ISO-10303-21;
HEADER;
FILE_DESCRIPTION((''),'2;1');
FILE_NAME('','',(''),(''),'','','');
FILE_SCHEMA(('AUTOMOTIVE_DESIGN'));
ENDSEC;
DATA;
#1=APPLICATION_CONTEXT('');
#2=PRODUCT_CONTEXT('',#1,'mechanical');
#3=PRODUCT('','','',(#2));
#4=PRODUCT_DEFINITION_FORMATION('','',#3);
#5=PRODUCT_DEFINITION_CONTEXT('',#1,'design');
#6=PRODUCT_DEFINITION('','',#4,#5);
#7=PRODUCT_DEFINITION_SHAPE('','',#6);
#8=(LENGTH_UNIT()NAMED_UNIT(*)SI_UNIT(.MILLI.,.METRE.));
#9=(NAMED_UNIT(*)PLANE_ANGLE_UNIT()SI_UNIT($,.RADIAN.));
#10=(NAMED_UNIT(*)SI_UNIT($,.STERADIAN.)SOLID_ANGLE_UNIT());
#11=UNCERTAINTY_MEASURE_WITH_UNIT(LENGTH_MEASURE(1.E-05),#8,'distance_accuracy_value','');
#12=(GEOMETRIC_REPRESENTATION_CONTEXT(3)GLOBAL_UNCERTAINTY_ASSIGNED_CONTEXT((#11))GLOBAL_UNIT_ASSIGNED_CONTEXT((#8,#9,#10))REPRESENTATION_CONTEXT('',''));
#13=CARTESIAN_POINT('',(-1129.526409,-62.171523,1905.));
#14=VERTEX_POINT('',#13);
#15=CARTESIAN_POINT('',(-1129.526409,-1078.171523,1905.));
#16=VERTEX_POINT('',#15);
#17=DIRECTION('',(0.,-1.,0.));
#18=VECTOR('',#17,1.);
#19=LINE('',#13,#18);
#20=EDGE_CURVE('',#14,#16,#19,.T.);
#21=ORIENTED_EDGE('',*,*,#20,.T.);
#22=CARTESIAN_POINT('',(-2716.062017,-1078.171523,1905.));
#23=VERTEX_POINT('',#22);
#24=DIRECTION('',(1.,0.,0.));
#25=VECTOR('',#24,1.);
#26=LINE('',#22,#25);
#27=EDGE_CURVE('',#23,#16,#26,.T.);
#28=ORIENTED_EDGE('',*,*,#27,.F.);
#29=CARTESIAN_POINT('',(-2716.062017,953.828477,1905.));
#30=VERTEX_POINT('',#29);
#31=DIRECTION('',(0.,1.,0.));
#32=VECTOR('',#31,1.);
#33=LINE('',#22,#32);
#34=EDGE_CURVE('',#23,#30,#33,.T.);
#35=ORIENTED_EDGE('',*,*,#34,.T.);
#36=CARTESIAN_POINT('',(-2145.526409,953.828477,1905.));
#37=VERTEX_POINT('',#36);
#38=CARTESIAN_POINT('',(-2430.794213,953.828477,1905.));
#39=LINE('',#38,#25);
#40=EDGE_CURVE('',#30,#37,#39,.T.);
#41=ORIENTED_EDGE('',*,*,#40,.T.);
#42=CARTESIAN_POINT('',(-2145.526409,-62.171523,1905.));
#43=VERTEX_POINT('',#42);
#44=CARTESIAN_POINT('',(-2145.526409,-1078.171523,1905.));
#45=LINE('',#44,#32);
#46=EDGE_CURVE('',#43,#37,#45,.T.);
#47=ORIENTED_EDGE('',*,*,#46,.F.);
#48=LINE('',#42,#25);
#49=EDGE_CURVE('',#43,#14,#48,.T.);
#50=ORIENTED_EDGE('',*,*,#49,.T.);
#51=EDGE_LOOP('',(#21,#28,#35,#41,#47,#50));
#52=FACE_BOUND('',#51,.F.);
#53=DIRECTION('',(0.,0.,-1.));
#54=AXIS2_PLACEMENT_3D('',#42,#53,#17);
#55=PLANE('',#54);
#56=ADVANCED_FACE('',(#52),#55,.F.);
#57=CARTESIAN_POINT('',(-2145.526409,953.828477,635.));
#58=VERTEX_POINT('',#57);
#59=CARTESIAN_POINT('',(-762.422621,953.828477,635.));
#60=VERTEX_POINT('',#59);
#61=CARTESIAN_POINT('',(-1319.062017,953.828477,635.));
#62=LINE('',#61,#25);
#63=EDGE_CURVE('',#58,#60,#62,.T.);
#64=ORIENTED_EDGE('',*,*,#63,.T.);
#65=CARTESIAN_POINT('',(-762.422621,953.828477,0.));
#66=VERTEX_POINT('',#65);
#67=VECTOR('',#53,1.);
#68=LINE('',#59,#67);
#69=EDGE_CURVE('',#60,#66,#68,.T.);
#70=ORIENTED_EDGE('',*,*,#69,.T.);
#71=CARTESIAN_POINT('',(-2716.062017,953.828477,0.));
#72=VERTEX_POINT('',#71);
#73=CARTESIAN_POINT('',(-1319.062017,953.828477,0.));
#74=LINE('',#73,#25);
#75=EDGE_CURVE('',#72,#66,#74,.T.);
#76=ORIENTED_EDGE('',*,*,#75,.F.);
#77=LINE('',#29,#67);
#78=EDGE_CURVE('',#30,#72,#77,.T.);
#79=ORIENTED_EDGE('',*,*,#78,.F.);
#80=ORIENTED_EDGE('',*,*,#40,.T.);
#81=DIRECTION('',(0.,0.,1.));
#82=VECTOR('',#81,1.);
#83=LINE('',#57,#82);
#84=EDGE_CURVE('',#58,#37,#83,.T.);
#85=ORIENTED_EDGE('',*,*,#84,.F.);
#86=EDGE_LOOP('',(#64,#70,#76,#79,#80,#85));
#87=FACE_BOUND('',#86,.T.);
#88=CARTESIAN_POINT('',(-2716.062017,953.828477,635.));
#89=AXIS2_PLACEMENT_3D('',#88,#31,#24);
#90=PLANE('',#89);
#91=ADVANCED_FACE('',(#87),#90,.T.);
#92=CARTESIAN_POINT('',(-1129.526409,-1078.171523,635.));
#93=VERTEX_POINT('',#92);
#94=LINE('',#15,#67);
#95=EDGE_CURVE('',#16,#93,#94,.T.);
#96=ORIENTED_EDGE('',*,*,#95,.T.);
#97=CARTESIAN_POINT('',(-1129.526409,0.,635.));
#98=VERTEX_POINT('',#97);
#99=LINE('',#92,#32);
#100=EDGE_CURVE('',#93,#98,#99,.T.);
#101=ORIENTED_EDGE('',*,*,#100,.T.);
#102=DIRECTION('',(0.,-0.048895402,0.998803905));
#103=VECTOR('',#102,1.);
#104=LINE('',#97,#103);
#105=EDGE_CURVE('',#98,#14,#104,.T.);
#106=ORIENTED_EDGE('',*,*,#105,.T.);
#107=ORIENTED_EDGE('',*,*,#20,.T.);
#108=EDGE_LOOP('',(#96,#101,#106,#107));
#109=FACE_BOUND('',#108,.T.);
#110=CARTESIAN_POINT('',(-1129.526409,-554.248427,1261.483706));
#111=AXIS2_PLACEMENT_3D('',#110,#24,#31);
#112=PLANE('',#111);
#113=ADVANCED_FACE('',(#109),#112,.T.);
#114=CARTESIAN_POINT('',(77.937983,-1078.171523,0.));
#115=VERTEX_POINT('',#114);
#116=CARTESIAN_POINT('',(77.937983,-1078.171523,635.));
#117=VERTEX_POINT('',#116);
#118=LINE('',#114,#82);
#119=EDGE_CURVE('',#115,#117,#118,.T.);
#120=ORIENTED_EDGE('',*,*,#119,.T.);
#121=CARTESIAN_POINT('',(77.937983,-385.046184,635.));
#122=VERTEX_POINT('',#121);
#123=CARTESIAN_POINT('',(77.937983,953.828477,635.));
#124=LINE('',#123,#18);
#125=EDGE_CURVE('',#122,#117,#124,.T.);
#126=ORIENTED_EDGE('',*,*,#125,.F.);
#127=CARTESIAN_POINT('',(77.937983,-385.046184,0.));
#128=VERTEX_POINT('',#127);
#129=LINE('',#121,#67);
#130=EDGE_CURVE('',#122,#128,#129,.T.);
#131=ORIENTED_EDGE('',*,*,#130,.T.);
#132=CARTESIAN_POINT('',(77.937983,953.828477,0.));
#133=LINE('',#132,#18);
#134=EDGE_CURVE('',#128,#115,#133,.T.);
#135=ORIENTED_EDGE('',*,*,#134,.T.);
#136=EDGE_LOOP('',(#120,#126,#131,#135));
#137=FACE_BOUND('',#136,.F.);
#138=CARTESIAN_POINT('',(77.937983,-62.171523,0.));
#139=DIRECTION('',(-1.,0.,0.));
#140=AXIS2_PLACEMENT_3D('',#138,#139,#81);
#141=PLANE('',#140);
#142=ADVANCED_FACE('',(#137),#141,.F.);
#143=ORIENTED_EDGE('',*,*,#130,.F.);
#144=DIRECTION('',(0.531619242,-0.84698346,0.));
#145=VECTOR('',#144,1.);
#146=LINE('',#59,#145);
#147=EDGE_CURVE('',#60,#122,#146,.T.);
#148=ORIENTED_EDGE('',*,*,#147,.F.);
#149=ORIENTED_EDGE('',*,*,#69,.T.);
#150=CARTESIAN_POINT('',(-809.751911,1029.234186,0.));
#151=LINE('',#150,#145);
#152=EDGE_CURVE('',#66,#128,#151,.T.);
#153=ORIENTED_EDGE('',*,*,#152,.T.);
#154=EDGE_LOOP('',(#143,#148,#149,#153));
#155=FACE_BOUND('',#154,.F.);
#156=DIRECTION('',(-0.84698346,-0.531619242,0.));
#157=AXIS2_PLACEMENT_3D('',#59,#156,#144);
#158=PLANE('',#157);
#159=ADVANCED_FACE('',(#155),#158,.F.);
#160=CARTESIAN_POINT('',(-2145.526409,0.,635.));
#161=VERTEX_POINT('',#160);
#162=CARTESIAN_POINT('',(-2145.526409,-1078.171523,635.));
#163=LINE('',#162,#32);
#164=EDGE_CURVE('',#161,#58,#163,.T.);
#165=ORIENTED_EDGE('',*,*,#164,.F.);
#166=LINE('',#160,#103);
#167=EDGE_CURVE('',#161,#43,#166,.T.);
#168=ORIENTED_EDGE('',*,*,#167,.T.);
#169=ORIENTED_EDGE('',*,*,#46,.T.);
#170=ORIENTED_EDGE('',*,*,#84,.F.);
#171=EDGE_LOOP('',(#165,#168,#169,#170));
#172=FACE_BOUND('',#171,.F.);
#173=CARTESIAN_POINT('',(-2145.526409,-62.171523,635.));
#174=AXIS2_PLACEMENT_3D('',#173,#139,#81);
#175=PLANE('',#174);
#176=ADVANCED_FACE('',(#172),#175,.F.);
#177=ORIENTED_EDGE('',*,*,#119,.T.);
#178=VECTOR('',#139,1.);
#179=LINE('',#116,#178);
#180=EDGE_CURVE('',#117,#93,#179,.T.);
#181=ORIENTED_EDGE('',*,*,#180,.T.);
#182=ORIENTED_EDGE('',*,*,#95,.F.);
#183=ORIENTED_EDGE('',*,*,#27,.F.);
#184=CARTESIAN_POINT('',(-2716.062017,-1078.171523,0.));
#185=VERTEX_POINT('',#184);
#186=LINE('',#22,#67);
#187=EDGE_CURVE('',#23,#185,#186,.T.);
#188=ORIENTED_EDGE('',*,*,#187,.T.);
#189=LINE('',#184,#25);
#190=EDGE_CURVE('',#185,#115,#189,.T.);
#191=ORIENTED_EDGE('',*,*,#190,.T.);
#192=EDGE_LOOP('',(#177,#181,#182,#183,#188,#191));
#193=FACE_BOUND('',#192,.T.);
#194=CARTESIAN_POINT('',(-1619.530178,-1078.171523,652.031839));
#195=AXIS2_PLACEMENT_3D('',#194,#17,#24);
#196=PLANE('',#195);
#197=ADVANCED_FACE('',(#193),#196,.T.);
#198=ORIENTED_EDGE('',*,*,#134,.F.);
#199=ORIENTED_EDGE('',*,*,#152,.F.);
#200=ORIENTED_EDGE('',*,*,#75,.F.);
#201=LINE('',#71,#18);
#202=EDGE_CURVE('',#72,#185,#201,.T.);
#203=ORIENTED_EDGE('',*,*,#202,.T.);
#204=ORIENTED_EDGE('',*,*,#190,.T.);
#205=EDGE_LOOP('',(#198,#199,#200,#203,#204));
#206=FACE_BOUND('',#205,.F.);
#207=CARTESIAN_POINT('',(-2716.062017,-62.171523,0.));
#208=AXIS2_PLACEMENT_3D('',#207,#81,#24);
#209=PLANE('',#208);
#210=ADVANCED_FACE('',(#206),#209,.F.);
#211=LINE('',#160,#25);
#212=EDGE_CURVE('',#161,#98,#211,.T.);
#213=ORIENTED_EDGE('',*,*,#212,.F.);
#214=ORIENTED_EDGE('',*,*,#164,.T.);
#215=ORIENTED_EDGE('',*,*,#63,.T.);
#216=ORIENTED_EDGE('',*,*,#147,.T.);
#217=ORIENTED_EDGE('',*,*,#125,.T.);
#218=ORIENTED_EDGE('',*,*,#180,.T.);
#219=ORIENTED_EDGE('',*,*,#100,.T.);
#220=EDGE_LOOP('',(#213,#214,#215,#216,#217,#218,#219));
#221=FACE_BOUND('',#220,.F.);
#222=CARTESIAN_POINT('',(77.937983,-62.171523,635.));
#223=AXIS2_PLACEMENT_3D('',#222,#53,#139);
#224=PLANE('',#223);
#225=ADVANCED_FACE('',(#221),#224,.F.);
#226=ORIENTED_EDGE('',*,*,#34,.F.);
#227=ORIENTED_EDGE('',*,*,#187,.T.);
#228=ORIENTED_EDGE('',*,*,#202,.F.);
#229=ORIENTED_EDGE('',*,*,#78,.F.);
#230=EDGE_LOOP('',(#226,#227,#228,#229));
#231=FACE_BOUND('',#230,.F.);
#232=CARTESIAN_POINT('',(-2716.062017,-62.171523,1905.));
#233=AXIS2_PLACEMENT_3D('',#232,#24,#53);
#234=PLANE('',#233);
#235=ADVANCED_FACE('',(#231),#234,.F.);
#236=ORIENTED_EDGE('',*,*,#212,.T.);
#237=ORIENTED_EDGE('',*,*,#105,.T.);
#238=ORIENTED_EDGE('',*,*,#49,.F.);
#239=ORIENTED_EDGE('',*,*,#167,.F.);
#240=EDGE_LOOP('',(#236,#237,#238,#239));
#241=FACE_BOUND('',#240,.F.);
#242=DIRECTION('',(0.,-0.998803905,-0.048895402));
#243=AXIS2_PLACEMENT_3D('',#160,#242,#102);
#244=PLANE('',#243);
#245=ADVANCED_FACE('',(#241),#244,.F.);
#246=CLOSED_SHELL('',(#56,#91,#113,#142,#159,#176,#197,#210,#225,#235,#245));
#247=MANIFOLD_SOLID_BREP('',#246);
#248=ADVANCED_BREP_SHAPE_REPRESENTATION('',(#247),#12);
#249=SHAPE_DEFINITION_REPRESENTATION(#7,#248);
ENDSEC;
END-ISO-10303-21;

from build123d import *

# Parameters (mm, degrees)
F0_W     = 2794
F0_H     = 1016
F2_DEPTH = 635
F3_W     = 570.535608
F3_H     = 1016
F4_DEPTH = 1270
F5_DEPTH = 1016
F7_DEPTH = 1016
F9_DEPTH = 2540


with BuildPart() as f2:
    # F0 (on Top) → F2 (new body)
    with BuildSketch(Plane.XY):
        with Locations((-1319.062017, 445.828477)):
            Rectangle(F0_W, F0_H)
    extrude(amount=F2_DEPTH)

    # F3 (on face) → F4 (join)
    with BuildSketch(Plane.XY.offset(635)):
        with Locations((-2430.794213, 445.828477)):
            Rectangle(F3_W, F3_H)
    extrude(amount=F4_DEPTH)

    # F4_face (on face) → F5 (join)
    with BuildSketch(Plane(origin=(-1641.436261, -62.171523, 593.700931), x_dir=(1, 0, 0), z_dir=(0, -1, 0))):
        Polygon((-1074.625756, 1311.299069), (-1074.625756, -593.700931), (1719.374244, -593.700931), (1719.374244, 41.299069), (-504.090148, 41.299069), (-504.090148, 1311.299069), align=None)
    extrude(amount=F5_DEPTH)

    # F6 (on face) → F7 (join)
    with BuildSketch(Plane.YZ.offset(-2145.526409)):
        Polygon((0, 635), (-62.171523, 1905), (-1078.171523, 1905), (-1078.171523, 635), align=None)
    extrude(amount=F7_DEPTH)

    # F8 (on face) → F9 (cut)
    with BuildSketch(Plane.XY.offset(635)):
        Polygon((77.937983, 953.828477), (-762.422621, 953.828477), (77.937983, -385.046184), align=None)
    extrude(amount=-F9_DEPTH, mode=Mode.SUBTRACT)


solid = f2.part
